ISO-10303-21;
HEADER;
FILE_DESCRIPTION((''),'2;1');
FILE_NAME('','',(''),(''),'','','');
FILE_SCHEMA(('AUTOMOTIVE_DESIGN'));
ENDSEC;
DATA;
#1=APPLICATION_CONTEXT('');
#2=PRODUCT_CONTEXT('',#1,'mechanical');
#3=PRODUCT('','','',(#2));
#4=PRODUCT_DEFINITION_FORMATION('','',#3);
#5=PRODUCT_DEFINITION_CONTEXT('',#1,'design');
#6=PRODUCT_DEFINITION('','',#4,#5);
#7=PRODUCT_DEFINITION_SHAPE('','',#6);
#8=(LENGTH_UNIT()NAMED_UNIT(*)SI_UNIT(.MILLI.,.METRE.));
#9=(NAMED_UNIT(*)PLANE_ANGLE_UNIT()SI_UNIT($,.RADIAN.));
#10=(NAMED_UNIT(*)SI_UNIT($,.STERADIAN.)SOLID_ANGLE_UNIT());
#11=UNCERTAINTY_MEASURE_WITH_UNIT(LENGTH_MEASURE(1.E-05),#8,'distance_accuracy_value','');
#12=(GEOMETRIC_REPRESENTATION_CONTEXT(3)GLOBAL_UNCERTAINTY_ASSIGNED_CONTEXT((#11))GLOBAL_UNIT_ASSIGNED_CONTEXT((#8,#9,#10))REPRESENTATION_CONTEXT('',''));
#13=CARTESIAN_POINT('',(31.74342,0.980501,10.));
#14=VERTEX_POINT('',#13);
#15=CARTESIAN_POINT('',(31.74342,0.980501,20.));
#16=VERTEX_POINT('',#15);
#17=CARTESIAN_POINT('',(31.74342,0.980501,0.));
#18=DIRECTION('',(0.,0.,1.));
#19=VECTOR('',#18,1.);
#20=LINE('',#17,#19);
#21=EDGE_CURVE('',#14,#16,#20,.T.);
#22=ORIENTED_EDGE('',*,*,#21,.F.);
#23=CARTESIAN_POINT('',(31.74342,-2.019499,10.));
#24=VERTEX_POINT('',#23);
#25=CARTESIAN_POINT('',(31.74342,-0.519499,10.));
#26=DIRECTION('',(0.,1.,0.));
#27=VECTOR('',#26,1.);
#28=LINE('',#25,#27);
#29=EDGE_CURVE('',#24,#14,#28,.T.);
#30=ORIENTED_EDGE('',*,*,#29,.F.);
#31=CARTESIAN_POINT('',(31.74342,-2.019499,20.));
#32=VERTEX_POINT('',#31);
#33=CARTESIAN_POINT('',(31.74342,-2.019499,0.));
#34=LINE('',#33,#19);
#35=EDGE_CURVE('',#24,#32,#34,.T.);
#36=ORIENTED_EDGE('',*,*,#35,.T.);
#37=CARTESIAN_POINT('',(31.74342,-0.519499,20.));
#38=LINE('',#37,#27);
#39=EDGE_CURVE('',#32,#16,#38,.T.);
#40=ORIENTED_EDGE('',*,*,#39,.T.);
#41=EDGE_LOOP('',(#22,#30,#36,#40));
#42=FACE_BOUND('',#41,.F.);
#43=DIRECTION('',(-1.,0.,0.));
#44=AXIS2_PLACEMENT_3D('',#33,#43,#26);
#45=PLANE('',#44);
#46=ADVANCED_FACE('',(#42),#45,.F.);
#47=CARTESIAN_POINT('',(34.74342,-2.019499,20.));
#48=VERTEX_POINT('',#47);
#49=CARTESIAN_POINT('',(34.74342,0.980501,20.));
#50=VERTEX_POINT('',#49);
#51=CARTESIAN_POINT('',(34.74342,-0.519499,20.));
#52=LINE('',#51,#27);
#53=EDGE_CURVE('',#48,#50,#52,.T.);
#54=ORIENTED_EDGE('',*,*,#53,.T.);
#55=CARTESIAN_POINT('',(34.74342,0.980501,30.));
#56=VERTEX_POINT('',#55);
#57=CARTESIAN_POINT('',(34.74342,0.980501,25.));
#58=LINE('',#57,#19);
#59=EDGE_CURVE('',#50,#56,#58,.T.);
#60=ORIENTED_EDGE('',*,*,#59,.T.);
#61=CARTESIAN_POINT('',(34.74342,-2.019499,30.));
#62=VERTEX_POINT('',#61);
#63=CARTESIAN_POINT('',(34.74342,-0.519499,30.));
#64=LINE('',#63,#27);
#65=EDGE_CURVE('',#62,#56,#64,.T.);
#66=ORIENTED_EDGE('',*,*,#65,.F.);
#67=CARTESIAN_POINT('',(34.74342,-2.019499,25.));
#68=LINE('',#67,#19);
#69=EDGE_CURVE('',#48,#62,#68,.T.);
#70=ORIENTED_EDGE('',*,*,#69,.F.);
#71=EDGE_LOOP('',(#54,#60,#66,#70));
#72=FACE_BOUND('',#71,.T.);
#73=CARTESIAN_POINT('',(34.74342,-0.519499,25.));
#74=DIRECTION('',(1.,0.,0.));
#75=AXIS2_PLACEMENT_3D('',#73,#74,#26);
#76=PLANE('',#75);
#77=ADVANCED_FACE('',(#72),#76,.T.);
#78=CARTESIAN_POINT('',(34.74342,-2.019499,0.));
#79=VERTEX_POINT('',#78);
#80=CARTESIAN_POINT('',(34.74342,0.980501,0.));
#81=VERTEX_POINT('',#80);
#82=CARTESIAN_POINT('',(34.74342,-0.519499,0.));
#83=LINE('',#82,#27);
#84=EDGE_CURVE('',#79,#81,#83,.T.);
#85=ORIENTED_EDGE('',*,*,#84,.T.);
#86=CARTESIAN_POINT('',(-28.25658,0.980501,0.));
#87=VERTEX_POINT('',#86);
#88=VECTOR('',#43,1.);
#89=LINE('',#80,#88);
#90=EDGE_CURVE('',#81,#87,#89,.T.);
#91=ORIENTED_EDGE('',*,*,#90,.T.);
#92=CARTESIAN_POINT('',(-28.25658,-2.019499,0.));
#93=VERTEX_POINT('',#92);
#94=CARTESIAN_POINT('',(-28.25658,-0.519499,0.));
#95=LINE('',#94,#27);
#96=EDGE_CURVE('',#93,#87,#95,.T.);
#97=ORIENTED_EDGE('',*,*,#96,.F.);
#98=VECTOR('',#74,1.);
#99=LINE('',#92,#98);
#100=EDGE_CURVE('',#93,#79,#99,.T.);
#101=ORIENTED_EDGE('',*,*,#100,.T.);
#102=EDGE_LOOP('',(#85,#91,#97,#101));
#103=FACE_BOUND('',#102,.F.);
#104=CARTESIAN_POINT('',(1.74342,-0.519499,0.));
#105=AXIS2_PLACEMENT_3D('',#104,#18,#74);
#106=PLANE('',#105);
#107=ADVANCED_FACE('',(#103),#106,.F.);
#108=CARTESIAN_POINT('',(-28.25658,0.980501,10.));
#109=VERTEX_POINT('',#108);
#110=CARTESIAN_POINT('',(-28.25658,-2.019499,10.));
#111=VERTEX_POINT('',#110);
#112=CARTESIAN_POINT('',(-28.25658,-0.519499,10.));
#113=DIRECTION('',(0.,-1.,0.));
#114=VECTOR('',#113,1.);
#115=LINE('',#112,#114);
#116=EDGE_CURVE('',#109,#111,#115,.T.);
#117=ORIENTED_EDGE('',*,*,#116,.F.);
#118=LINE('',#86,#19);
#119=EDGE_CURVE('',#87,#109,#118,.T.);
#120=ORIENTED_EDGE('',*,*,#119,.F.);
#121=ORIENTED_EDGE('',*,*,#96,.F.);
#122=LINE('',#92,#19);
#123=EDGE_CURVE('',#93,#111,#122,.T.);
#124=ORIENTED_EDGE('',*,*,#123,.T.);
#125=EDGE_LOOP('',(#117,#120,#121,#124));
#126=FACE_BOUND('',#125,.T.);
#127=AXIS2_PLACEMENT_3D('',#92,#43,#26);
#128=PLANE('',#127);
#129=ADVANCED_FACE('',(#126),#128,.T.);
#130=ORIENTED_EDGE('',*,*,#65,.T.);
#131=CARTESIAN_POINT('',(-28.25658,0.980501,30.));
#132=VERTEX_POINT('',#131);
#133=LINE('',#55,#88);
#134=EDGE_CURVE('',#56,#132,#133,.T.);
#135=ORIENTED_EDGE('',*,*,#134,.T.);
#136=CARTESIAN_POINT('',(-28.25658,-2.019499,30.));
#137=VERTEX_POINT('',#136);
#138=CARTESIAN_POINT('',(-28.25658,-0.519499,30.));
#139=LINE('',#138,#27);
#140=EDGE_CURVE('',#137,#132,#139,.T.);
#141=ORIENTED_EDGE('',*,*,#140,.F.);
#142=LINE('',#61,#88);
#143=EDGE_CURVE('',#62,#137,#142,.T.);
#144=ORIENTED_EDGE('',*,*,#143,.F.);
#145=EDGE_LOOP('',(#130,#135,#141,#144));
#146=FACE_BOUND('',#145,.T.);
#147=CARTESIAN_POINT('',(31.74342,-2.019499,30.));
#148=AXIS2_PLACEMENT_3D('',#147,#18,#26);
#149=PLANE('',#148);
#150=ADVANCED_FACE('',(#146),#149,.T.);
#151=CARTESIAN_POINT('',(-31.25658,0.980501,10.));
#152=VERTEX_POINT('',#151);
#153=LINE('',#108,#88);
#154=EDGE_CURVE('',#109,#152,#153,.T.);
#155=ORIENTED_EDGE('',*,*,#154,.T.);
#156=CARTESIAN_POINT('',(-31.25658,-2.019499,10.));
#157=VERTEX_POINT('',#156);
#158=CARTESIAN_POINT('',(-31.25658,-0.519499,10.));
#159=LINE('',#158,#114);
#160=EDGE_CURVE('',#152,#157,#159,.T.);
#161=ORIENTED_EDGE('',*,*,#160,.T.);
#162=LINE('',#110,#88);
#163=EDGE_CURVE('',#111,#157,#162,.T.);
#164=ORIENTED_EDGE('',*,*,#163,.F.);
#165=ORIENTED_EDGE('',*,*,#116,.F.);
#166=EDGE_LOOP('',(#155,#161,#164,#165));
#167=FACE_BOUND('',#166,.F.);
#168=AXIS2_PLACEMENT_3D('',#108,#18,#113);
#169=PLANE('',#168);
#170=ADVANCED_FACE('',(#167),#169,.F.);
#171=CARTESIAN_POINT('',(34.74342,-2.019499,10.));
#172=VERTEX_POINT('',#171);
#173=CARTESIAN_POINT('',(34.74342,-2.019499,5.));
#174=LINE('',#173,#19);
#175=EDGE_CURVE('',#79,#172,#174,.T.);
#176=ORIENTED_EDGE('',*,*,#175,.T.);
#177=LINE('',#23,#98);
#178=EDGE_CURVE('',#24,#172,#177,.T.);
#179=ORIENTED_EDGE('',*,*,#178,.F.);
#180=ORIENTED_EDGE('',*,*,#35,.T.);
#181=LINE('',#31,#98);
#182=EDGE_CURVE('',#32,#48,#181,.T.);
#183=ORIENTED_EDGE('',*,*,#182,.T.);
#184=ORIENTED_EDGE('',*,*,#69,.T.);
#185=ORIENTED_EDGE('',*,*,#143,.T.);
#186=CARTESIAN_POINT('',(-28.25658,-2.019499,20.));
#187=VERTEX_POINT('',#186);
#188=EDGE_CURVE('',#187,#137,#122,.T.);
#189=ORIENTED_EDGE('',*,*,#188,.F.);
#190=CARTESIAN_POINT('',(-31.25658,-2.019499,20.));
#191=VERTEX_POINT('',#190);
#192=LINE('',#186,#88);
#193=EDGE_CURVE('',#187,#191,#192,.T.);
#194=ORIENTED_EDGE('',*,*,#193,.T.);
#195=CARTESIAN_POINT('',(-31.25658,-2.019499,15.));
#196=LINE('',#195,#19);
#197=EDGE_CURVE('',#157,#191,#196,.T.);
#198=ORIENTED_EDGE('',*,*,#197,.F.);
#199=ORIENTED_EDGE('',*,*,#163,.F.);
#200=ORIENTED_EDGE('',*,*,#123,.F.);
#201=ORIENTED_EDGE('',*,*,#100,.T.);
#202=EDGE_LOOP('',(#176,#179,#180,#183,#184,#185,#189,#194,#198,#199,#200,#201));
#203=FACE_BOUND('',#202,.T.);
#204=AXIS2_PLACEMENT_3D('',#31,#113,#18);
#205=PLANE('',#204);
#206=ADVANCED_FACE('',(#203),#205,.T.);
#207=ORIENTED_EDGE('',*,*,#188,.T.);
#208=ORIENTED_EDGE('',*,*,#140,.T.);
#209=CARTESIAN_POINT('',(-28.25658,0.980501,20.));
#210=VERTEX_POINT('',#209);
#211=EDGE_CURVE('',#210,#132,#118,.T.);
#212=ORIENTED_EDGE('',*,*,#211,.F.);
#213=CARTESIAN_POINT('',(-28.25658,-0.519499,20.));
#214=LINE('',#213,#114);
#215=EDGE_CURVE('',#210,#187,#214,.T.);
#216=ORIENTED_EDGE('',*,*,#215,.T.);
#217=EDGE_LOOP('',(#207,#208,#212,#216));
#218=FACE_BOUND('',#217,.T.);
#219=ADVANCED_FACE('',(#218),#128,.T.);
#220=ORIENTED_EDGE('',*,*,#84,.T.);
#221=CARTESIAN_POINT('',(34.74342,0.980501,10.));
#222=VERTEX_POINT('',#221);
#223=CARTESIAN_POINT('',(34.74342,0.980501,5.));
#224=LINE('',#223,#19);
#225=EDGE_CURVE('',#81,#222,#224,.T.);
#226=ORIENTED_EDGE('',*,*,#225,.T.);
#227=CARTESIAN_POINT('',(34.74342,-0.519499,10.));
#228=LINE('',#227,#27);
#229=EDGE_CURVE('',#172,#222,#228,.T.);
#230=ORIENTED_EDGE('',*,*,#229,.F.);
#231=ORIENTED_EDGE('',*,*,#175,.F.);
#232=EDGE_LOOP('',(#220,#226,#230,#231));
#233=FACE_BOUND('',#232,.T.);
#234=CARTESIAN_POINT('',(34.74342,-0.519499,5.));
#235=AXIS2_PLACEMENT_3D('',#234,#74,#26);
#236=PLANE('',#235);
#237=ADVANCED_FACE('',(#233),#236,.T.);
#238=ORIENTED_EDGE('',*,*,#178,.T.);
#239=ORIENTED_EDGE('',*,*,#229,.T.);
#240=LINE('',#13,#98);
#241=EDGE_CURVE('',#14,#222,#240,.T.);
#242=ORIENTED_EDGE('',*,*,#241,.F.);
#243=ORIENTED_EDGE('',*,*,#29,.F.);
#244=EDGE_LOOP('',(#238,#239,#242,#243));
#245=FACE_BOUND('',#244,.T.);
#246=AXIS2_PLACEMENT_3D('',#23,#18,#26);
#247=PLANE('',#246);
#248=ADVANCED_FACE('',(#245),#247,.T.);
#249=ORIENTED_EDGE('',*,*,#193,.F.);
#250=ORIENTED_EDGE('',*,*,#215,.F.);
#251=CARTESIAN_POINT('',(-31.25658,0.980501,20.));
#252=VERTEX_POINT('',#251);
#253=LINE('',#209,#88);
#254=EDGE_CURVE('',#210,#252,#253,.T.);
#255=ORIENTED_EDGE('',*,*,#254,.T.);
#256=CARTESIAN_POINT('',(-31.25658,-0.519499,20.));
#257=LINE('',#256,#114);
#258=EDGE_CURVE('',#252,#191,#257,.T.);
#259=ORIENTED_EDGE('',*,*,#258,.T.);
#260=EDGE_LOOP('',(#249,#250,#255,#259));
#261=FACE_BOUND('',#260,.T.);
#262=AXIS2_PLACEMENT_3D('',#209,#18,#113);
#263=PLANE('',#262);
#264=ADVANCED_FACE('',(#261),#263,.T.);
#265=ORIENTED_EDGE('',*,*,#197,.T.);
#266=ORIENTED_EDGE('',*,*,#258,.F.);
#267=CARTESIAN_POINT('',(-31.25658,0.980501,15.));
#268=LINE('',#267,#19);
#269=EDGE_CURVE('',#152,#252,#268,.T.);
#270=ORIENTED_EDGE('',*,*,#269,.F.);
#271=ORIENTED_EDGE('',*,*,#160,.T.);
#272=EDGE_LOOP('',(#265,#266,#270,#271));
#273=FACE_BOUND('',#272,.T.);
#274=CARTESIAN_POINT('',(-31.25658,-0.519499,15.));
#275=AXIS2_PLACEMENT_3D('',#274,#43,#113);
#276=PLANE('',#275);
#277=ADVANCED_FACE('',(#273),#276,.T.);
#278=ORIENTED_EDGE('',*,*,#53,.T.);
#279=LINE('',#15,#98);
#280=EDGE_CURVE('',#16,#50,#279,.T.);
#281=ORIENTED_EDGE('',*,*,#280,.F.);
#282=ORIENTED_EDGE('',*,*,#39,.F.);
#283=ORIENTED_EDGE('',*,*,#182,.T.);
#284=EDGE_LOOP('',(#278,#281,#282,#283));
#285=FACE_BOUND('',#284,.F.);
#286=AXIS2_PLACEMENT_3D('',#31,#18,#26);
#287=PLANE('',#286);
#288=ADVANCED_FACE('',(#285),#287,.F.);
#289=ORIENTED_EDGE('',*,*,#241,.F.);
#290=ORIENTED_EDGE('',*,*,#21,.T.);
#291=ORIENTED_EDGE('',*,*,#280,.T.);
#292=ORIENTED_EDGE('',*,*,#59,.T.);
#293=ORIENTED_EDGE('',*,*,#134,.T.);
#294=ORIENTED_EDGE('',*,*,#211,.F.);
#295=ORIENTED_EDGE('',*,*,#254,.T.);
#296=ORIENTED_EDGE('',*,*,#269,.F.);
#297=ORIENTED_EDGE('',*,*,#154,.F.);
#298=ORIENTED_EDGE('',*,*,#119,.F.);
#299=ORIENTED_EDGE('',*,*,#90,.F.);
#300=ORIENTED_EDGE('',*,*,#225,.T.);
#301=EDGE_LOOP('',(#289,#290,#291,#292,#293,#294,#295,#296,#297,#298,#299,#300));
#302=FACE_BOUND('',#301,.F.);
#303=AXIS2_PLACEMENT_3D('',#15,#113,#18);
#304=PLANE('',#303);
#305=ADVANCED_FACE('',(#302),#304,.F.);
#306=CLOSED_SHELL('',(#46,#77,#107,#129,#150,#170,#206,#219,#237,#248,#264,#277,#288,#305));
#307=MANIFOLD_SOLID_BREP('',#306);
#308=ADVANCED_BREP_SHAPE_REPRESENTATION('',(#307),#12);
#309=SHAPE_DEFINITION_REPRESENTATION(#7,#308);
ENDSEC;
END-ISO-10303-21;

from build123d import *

# Parameters (mm, degrees)
F0_W     = 60
F0_H     = 3
F1_DEPTH = 30
F2_W     = 3
F2_H     = 10
F3_DEPTH = 3
F4_W     = 3
F4_H     = 10
F5_DEPTH = 3


with BuildPart() as f1:
    # F0 (on Top) → F1 (new body)
    with BuildSketch(Plane.XY):
        with Locations((1.74342, -0.519499)):
            Rectangle(F0_W, F0_H)
    extrude(amount=F1_DEPTH)

    # F2 (on face) → F3 (join)
    with BuildSketch(Plane.YZ.offset(31.74342)):
        with Locations((-0.519499, 25)):
            Rectangle(F2_W, F2_H)
        with Locations((-0.519499, 5)):
            Rectangle(F2_W, F2_H)
    extrude(amount=F3_DEPTH)

    # F4 (on face) → F5 (join)
    with BuildSketch(Plane(origin=(-28.25658, 0, 0), x_dir=(0, -1, 0), z_dir=(-1, 0, 0))):
        with Locations((0.519499, 15)):
            Rectangle(F4_W, F4_H)
    extrude(amount=F5_DEPTH)


solid = f1.part
